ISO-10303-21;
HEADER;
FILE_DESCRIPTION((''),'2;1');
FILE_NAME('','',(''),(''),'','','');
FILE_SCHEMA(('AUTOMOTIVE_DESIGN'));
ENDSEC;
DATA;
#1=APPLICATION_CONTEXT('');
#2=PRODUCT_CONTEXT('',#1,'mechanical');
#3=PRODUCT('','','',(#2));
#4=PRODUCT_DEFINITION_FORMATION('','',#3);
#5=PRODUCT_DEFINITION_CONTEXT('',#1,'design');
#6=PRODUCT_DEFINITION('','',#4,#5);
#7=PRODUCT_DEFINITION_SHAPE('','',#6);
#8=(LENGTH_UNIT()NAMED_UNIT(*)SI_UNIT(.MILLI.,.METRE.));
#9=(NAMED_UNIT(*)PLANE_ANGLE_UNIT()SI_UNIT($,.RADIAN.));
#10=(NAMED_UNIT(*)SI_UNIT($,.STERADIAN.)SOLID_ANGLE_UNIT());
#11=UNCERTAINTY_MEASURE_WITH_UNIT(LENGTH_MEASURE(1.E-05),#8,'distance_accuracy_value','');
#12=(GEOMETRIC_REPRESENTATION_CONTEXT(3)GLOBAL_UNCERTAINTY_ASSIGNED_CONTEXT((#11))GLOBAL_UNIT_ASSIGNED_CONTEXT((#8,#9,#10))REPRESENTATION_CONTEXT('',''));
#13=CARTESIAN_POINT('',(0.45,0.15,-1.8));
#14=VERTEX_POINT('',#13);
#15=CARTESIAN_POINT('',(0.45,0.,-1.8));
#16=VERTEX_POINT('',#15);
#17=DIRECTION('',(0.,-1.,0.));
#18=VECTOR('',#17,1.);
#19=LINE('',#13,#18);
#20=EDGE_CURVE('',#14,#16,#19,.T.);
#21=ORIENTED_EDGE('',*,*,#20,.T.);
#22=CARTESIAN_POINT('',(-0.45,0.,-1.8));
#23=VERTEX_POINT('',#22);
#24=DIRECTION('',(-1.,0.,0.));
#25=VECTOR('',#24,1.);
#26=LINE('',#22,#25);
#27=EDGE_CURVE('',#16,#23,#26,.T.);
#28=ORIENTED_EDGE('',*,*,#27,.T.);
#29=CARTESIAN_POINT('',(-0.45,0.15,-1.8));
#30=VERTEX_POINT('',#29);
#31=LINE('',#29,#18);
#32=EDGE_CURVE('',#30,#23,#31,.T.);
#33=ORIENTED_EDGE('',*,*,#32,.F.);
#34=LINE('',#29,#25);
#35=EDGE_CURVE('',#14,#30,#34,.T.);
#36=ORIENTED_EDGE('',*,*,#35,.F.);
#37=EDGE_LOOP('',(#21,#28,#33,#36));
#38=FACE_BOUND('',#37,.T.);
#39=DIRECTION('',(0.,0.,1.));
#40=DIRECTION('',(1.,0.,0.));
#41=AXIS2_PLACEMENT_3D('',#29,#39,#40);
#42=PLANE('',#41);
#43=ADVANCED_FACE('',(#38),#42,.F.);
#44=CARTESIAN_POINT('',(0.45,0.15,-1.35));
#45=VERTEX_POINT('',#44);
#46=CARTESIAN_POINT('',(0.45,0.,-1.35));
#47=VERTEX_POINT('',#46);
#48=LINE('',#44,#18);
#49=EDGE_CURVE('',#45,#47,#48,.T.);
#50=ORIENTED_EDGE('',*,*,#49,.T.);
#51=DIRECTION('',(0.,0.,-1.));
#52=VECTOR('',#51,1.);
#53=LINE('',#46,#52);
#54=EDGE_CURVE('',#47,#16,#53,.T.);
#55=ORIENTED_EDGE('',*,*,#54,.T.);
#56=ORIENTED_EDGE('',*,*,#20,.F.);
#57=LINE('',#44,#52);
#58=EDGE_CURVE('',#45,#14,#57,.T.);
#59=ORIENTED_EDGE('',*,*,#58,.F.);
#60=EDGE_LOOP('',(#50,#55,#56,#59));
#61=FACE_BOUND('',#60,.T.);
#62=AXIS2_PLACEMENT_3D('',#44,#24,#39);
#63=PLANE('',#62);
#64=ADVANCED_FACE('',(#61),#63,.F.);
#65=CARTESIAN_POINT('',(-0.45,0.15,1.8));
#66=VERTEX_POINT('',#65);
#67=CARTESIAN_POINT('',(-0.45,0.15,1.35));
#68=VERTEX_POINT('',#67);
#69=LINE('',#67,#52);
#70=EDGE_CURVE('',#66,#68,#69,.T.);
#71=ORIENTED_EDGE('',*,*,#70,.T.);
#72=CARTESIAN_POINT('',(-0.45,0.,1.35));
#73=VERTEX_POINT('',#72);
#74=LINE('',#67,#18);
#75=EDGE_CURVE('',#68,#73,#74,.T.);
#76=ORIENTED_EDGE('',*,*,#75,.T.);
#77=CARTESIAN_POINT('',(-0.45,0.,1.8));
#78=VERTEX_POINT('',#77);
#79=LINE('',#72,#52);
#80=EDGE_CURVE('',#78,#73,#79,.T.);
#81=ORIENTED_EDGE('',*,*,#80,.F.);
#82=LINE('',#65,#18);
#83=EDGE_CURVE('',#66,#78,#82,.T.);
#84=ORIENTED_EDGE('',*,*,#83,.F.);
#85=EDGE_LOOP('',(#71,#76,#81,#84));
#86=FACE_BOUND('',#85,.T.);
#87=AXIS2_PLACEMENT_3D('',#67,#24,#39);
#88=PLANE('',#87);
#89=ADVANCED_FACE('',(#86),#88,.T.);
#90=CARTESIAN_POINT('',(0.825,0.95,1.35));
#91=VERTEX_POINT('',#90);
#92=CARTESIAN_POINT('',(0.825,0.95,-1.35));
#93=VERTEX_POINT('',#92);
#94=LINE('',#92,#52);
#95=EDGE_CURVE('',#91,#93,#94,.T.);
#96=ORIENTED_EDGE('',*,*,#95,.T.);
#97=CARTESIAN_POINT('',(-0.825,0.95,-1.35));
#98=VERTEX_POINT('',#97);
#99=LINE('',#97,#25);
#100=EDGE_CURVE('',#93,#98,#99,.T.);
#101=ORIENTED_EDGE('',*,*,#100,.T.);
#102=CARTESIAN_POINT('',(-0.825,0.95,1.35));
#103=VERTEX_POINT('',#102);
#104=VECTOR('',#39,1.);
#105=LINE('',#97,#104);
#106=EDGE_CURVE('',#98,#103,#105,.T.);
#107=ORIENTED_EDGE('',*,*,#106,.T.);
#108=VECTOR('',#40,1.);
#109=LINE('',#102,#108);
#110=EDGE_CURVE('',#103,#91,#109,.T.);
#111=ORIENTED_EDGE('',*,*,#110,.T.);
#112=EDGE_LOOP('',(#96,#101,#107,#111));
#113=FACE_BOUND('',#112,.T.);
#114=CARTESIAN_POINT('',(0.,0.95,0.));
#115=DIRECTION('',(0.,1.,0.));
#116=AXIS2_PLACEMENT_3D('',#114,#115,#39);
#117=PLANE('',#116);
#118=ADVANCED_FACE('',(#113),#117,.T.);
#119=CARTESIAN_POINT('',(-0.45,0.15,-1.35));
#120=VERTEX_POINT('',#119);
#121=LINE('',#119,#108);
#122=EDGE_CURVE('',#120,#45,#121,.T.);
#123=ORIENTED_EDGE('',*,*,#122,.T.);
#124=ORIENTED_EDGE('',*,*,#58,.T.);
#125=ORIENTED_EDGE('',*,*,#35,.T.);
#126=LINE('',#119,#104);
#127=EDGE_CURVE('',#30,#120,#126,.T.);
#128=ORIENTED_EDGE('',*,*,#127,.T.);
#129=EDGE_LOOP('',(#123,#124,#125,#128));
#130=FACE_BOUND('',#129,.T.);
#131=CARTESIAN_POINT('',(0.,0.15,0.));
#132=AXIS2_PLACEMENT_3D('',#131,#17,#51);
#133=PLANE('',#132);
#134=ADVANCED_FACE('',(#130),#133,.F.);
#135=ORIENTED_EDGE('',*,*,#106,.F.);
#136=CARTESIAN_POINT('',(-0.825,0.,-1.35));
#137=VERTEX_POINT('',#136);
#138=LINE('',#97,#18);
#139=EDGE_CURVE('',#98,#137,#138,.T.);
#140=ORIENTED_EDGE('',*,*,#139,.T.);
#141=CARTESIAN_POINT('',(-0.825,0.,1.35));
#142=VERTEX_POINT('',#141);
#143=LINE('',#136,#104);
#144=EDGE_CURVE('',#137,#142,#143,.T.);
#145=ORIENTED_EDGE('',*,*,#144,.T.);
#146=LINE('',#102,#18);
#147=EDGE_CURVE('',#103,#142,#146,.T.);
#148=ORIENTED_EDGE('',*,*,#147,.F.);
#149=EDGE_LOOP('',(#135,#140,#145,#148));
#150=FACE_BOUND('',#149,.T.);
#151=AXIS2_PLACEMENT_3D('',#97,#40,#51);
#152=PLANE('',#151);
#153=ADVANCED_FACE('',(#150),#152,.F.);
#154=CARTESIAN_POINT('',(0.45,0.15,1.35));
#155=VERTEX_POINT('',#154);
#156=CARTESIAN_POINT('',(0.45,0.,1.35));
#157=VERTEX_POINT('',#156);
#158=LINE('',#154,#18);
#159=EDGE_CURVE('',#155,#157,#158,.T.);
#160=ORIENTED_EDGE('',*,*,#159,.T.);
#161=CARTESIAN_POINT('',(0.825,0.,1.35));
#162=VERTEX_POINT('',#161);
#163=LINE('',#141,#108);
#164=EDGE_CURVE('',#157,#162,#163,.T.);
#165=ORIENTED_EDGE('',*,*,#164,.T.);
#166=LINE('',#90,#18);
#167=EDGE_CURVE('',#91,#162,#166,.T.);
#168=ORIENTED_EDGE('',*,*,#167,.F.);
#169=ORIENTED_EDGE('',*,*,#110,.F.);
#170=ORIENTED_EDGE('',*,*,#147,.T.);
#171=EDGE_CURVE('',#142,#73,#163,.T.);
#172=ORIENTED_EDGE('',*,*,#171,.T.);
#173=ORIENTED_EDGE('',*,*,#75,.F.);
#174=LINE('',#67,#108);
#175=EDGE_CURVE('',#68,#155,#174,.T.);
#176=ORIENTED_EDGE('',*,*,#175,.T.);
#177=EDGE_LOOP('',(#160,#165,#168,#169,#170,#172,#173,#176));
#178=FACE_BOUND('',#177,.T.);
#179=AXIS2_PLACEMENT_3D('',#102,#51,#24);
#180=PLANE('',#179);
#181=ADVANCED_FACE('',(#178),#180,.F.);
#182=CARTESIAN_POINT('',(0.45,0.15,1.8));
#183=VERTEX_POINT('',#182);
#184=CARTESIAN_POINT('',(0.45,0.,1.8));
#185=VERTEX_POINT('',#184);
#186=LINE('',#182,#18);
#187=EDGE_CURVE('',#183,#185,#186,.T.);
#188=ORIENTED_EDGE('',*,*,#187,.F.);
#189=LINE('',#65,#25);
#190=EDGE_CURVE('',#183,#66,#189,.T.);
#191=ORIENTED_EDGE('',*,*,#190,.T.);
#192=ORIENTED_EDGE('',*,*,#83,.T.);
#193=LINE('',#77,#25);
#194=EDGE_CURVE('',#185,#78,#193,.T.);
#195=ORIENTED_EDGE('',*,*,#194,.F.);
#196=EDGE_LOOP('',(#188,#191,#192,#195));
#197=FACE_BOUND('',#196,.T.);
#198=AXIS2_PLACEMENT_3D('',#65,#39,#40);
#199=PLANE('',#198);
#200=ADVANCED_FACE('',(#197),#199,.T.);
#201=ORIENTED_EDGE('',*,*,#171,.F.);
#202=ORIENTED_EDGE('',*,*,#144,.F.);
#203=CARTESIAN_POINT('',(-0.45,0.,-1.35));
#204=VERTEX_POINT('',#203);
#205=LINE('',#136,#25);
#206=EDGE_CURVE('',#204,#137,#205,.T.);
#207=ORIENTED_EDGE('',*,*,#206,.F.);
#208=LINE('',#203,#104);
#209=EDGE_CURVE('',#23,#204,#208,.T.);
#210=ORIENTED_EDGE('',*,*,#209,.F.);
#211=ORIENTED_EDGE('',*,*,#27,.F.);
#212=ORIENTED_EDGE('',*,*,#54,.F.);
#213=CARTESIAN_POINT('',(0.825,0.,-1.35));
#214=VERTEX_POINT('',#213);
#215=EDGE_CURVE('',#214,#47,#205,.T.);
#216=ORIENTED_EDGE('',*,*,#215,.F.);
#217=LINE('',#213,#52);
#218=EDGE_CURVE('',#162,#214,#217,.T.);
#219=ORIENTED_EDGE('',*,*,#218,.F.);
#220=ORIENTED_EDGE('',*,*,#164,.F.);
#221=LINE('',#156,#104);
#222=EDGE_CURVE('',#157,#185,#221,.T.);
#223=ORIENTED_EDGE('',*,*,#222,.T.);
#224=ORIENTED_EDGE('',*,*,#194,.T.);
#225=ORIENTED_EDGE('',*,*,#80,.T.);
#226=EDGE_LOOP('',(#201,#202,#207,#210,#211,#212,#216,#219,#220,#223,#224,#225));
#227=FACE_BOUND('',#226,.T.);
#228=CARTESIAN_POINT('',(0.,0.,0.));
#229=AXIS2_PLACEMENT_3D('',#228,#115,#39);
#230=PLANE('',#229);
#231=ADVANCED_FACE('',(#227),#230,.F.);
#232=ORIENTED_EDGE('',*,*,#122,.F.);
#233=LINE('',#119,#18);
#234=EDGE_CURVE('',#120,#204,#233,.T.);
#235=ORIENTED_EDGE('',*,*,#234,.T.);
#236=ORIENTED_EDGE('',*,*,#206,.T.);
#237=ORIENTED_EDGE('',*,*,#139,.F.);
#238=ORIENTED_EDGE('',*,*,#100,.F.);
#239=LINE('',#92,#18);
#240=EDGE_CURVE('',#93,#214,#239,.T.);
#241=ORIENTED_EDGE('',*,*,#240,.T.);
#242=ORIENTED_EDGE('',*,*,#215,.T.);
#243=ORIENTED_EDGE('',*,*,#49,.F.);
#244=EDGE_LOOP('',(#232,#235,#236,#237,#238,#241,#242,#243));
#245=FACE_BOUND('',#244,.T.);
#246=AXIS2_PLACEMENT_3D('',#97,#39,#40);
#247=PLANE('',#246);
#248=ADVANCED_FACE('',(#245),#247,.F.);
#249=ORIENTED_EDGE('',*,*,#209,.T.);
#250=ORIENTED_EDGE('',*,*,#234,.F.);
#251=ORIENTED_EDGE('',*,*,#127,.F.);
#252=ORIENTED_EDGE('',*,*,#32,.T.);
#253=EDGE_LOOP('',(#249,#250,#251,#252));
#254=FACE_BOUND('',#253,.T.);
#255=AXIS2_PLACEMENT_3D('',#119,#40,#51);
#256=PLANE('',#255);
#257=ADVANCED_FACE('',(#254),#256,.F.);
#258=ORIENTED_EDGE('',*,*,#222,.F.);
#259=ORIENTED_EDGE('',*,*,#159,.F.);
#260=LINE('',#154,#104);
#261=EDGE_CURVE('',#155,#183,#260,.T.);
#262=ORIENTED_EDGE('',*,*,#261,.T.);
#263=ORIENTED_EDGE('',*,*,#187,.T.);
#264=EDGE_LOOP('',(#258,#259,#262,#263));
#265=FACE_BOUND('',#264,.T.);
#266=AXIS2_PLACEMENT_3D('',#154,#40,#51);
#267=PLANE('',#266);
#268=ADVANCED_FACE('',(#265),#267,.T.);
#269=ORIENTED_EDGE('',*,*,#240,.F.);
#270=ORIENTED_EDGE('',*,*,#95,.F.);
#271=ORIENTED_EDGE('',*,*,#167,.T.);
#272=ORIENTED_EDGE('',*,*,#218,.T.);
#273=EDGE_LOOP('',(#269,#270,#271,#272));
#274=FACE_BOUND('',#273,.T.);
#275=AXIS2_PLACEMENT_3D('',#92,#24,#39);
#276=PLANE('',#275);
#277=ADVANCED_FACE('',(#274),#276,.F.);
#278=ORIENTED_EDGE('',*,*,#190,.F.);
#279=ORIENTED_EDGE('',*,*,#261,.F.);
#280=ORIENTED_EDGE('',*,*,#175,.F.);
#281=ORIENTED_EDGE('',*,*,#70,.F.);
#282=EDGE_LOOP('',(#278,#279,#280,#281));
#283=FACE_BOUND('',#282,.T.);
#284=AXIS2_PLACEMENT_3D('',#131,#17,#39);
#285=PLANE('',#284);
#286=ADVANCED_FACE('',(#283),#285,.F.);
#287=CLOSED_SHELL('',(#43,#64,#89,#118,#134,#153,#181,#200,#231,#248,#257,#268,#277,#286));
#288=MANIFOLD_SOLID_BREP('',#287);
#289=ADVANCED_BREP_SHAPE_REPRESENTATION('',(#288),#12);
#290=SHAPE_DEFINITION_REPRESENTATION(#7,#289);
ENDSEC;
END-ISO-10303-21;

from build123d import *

# Parameters (mm, degrees)
BASES_W    = 1.65
BASES_H    = 2.7
BASE_DEPTH = 0.95
LEGS_W     = 0.9
LEGS_H     = 0.45
LEG_DEPTH  = 0.15


with BuildPart() as part:
    # BaseS → Base (new body)
    with BuildSketch(Plane(origin=(0, 0, 0), x_dir=(1, 0, 0), z_dir=(0, 1, 0))):
        Rectangle(BASES_W, BASES_H)
    extrude(amount=BASE_DEPTH)

    # LegS → Leg (add)
    with BuildSketch(Plane(origin=(0, 0, 0), x_dir=(1, 0, 0), z_dir=(0, 1, 0))):
        with Locations((0, 1.575)):
            Rectangle(LEGS_W, LEGS_H)
    leg = extrude(amount=LEG_DEPTH)

    # LVM: Leg across plane
    add(leg.mirror(Plane.XY))


solid = part.part
